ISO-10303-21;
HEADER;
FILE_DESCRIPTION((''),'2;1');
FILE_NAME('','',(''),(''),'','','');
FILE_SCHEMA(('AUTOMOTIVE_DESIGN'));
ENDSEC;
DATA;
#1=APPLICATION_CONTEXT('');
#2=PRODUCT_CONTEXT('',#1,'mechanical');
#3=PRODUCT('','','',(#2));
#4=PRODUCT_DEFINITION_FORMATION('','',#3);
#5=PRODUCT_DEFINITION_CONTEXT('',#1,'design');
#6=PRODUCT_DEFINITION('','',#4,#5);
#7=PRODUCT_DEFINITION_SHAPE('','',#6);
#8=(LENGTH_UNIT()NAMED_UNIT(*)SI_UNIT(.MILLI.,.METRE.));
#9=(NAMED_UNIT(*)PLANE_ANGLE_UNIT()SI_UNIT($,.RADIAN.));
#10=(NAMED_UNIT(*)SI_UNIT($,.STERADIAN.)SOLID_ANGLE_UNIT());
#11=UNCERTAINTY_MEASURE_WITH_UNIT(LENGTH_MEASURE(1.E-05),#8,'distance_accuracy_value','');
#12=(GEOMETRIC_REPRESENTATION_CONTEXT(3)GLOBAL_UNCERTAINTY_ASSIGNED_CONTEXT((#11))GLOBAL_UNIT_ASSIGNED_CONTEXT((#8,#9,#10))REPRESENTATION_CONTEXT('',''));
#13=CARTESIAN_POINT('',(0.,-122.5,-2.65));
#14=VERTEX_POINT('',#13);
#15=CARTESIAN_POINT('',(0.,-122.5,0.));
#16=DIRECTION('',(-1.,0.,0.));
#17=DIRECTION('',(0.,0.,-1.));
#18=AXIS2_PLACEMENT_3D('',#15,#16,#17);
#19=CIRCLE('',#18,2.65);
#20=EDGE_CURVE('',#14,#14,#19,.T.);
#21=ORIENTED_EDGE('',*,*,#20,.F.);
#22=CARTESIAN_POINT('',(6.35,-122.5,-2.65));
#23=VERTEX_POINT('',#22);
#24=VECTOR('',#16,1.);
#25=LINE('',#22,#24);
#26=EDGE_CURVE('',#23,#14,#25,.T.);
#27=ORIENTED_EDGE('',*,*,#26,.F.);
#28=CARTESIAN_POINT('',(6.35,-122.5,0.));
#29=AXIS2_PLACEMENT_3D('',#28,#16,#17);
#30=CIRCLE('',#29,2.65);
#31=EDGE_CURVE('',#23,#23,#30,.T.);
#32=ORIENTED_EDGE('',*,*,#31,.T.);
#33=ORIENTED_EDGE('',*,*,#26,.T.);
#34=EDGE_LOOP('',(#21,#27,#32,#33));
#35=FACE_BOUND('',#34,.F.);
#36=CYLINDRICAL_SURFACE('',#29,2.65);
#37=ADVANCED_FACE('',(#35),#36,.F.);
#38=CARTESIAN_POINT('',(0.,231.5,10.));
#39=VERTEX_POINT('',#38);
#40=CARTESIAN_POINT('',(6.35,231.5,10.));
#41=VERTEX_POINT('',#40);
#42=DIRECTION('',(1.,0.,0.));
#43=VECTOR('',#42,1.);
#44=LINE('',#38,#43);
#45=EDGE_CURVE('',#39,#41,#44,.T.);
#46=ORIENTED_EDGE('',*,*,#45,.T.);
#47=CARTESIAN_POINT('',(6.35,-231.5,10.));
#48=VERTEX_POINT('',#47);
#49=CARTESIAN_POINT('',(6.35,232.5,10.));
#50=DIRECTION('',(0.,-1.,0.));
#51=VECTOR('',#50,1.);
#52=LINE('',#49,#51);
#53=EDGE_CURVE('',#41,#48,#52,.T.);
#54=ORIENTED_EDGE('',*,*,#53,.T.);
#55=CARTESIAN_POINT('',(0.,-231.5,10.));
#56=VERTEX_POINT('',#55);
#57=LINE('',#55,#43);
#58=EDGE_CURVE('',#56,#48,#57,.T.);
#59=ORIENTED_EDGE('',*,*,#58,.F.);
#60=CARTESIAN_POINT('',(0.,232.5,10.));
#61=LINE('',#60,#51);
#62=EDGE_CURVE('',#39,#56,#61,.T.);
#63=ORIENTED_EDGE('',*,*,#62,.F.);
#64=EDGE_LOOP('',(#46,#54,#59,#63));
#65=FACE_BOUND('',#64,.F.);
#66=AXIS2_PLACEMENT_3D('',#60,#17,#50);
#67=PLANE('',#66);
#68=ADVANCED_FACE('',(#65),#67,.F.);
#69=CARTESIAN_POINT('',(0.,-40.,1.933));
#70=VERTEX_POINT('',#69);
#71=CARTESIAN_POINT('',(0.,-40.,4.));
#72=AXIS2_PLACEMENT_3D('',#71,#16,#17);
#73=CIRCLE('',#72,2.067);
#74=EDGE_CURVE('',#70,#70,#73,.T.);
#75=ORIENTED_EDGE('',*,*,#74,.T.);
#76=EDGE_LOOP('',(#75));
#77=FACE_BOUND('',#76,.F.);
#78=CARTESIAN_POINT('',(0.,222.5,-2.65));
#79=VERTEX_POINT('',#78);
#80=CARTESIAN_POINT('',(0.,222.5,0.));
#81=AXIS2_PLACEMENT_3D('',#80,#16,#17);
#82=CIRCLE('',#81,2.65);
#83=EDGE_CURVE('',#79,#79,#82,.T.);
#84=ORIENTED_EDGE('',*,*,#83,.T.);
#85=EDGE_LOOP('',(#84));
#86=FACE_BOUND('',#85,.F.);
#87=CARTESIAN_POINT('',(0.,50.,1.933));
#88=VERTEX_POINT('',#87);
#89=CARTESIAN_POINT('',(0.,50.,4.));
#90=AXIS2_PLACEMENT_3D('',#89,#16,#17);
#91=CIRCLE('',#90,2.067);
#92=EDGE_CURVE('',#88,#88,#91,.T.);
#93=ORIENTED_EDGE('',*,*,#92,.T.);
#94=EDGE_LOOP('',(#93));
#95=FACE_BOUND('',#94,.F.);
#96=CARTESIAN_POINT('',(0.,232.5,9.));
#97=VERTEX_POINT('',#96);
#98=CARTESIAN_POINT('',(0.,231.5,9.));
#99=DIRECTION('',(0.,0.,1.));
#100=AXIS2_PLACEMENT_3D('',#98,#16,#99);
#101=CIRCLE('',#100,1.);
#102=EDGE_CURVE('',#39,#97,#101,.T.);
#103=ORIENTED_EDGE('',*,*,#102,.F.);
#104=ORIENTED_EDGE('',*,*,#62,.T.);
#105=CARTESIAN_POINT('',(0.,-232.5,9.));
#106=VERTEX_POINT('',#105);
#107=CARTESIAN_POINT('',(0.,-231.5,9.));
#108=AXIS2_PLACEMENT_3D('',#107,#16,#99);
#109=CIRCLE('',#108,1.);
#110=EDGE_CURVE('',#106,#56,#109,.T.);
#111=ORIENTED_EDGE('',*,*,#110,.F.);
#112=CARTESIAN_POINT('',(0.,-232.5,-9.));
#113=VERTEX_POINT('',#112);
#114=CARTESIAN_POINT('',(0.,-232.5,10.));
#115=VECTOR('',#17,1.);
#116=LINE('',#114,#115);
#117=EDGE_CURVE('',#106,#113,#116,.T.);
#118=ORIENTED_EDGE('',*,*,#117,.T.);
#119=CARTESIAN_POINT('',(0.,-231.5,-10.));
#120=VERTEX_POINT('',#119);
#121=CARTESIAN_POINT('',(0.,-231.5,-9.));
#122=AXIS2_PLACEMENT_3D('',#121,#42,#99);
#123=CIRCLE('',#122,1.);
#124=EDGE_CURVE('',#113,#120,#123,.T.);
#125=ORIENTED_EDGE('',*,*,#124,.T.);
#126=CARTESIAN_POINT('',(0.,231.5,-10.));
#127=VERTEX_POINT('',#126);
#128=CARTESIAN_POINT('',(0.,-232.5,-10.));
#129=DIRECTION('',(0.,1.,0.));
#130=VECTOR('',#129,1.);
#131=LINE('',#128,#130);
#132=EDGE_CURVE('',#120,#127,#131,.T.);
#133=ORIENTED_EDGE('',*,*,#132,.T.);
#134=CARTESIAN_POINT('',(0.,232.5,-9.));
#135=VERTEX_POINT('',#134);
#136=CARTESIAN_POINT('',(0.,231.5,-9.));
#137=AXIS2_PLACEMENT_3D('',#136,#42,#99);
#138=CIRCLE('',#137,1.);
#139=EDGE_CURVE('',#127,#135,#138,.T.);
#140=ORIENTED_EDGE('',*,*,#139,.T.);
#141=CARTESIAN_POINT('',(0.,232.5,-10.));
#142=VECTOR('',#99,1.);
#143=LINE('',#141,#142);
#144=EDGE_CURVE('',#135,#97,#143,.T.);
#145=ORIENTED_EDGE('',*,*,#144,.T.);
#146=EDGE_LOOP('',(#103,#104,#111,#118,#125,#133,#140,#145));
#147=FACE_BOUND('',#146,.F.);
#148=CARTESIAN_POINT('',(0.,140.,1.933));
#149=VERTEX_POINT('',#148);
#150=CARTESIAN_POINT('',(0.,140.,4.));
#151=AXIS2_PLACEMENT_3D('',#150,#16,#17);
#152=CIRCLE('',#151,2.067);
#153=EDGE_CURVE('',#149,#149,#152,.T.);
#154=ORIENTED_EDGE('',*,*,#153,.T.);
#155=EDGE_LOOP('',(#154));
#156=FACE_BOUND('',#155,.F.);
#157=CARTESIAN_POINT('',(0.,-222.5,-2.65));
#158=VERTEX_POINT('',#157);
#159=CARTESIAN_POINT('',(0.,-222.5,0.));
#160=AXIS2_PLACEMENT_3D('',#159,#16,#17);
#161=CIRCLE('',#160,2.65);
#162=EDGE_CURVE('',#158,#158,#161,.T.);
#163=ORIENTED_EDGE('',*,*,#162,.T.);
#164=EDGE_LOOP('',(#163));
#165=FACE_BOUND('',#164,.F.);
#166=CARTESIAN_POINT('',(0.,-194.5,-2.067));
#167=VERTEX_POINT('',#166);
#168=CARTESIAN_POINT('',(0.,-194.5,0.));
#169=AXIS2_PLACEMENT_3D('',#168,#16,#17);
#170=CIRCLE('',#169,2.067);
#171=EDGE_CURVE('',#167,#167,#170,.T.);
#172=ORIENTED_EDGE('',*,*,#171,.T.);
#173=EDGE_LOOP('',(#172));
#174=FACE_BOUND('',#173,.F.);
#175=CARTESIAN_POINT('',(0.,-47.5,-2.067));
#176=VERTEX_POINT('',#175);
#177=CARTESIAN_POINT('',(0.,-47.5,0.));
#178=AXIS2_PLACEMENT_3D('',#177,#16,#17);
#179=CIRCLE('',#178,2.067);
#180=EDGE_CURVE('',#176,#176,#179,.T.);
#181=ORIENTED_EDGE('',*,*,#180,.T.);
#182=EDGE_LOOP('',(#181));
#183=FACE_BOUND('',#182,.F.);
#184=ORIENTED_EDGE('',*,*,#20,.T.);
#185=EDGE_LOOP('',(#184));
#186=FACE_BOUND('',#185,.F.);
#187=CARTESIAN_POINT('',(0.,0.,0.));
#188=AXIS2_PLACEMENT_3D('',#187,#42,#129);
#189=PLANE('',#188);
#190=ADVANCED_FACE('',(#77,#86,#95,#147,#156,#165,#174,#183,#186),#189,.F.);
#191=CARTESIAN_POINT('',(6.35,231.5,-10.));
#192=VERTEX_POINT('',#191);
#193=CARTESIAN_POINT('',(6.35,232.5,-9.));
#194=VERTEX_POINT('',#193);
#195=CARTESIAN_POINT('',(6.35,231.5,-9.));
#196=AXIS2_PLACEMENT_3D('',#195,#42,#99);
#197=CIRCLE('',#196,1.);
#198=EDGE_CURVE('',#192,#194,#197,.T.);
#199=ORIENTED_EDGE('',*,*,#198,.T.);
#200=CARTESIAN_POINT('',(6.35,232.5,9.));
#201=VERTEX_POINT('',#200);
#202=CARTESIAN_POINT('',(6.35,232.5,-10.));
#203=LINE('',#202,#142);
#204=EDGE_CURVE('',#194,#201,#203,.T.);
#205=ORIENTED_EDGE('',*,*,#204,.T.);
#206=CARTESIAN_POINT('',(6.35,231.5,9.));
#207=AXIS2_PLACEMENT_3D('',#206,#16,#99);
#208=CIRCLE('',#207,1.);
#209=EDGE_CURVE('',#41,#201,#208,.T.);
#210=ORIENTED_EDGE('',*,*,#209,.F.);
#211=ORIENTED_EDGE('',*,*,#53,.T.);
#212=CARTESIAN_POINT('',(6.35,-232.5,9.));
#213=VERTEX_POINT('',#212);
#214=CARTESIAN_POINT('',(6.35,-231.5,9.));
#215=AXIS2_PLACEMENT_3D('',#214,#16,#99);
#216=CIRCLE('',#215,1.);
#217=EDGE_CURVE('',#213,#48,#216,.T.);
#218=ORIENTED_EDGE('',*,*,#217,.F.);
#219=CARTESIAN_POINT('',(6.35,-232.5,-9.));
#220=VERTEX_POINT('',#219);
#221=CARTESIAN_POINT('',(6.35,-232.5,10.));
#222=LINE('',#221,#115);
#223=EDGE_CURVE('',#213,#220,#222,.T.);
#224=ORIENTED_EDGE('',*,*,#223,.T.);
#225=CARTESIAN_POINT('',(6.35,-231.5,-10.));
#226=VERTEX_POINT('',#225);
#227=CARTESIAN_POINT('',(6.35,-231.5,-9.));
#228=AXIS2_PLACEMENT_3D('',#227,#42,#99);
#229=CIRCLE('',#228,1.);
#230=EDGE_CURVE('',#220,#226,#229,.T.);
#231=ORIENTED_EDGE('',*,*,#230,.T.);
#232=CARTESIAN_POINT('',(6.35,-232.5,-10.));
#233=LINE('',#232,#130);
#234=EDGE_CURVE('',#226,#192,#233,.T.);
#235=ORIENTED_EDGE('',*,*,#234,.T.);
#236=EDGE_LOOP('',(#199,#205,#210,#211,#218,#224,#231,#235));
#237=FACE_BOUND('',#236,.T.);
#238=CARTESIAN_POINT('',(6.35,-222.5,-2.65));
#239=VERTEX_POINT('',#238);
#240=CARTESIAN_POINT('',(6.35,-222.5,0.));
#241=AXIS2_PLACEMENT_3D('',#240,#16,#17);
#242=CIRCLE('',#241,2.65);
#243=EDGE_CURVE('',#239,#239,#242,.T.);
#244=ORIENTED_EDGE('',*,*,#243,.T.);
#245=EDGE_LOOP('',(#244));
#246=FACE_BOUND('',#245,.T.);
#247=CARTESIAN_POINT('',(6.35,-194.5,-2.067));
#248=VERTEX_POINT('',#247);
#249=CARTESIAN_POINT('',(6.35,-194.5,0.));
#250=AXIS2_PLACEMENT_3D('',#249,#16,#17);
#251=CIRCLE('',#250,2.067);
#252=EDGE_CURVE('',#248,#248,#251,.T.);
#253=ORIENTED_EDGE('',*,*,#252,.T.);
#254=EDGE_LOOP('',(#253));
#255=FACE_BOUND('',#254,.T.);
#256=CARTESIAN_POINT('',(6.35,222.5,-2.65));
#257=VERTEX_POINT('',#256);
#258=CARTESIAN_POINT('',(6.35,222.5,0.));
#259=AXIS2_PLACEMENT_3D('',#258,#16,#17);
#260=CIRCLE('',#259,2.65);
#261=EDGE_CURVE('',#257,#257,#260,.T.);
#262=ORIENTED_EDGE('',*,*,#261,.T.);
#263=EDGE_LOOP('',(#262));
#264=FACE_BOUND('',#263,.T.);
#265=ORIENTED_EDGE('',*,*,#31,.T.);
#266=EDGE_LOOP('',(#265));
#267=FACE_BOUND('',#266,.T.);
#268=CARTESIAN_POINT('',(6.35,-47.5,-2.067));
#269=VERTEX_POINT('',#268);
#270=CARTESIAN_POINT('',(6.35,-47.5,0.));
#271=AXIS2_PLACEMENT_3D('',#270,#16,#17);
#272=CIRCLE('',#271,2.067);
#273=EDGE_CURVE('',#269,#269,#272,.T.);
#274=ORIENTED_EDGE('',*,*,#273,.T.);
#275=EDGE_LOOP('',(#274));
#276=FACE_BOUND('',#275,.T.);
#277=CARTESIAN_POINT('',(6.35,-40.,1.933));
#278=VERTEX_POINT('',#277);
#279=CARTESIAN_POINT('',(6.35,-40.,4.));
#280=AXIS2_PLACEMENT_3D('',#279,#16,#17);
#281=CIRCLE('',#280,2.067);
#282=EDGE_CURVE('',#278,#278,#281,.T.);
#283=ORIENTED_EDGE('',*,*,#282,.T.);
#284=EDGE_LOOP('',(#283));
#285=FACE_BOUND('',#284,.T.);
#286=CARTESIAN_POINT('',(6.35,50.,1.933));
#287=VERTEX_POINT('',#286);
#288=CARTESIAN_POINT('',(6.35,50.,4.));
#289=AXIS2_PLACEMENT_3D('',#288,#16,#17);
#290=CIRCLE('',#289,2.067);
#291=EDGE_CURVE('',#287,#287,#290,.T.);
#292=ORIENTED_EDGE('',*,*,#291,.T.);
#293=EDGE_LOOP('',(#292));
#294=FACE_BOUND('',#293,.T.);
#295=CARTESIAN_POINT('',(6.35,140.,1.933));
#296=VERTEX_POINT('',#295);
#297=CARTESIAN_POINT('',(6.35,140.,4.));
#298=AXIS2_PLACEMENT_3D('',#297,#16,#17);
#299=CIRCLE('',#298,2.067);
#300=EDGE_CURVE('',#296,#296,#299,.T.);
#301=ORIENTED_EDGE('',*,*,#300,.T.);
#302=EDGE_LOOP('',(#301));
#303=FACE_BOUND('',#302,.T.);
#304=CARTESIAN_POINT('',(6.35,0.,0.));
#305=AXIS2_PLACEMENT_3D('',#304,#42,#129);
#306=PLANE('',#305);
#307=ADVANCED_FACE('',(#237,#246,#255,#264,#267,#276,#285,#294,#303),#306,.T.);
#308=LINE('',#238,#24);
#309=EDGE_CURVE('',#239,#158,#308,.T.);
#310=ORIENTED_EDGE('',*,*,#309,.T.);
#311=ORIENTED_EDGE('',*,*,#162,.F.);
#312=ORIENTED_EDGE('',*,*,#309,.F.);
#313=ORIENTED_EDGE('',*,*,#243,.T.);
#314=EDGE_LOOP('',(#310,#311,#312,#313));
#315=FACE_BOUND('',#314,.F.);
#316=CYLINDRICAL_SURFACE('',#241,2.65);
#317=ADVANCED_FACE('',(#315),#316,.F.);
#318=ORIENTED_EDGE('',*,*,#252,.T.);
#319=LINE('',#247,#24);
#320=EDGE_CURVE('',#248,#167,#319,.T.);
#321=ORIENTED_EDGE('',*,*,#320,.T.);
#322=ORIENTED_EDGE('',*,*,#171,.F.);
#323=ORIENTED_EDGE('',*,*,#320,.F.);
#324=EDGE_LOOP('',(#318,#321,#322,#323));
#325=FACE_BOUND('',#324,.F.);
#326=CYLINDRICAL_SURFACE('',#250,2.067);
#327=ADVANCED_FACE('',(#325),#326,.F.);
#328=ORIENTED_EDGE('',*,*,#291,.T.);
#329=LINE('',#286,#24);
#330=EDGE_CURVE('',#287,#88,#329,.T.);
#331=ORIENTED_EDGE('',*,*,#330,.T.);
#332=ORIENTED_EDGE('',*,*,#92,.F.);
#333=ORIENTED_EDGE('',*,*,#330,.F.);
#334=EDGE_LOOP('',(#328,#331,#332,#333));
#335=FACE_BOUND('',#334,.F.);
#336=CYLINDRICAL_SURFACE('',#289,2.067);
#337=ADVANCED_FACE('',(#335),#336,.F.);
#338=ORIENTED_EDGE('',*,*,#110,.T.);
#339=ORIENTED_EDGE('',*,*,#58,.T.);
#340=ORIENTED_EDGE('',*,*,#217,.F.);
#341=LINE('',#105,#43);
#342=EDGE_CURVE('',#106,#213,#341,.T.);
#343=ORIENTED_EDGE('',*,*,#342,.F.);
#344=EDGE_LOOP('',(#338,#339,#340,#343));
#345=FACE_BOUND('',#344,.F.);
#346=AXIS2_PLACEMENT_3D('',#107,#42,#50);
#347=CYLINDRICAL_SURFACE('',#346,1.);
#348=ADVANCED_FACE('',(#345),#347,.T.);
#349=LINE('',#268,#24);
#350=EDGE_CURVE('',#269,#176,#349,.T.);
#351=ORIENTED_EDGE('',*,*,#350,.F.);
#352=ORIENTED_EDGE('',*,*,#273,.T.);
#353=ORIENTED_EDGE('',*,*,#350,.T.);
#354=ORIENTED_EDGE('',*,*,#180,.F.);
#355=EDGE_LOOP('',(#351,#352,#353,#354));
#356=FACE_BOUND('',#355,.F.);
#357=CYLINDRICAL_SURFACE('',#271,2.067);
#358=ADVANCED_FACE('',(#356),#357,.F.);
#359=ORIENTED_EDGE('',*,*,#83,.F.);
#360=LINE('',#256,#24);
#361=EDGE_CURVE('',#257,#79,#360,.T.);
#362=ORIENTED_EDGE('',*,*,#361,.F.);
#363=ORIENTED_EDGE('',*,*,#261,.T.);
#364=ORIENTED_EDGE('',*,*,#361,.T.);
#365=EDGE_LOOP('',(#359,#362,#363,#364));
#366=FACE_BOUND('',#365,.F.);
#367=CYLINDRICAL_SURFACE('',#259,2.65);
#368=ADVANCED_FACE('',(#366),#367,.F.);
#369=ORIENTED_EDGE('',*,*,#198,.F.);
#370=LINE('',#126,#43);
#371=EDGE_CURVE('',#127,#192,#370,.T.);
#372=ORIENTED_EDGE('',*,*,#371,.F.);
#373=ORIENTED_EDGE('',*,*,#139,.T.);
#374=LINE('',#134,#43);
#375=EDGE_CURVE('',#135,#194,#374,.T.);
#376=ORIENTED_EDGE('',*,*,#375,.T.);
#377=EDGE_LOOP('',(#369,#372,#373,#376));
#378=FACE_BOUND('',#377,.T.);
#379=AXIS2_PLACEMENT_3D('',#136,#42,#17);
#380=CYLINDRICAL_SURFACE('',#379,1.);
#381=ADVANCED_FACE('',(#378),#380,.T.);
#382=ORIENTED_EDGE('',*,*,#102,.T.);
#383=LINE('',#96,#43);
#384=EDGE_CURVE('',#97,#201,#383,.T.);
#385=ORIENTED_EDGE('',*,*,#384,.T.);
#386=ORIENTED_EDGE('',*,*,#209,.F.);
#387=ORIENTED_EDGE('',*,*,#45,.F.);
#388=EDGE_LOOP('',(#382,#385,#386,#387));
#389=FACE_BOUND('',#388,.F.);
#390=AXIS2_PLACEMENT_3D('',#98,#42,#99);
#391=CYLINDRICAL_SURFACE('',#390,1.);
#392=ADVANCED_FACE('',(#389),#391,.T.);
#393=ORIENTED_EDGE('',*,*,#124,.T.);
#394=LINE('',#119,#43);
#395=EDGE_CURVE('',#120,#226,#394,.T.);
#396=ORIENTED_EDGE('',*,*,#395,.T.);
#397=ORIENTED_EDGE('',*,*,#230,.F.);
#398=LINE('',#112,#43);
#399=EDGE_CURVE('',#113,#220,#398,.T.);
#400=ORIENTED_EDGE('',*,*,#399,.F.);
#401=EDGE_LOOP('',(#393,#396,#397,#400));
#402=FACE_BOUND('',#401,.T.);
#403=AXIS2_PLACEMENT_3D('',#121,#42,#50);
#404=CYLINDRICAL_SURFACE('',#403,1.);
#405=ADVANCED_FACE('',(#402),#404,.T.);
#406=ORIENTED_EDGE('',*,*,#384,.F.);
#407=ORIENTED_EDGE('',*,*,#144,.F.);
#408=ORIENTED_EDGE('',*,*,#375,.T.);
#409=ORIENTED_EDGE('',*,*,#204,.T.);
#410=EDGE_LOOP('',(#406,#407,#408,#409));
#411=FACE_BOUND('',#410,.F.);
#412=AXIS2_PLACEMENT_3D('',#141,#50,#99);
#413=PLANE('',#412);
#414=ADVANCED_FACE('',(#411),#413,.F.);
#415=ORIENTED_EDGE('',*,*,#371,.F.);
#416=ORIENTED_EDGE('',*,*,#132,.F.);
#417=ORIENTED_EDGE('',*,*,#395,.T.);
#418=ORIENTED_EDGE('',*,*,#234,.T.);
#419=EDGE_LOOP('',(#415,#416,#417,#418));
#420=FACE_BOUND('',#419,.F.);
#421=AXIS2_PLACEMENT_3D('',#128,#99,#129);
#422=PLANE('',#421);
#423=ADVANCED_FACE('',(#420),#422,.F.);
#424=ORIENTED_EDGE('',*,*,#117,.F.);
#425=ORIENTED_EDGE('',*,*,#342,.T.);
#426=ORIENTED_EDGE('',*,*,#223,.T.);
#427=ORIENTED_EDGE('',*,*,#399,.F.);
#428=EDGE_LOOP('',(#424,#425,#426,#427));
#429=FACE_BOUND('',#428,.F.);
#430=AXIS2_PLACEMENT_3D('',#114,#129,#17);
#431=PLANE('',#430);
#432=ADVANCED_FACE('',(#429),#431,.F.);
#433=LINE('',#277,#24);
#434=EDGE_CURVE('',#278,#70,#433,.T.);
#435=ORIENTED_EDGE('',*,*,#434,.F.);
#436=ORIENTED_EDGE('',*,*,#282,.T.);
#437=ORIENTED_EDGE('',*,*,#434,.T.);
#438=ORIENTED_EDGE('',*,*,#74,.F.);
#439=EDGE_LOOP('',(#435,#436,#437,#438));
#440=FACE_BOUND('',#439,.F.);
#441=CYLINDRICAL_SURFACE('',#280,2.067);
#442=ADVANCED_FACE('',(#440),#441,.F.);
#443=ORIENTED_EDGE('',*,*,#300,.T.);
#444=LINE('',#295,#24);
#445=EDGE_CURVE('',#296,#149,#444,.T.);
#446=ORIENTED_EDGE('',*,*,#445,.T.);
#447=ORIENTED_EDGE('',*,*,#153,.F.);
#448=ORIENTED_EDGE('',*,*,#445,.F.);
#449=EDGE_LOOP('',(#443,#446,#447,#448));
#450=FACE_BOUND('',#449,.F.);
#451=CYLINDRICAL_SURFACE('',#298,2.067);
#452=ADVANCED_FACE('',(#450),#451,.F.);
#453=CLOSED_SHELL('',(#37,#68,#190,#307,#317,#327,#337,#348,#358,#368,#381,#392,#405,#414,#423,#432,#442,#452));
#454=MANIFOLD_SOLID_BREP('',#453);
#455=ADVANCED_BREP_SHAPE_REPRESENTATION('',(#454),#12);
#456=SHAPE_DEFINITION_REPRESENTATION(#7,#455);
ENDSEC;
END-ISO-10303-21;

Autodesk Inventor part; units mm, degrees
ref_plane "YZ Plane" through (0, 0, 0) normal (1, 0, 0) x (0, 1, 0)
ref_plane "XZ Plane" through (0, 0, 0) normal (0, 1, 0) x (-1, 0, 0)
ref_plane "XY Plane" through (0, 0, 0) normal (0, 0, 1) x (1, 0, 0)
sketch "Sketch1" plane through (0, 0, 0) normal (1, 0, 0) x (0, 1, 0)
  line L0 (-232.5, -10) -> (232.5, -10)
  line L1 (232.5, -10) -> (232.5, 10)
  line L2 (232.5, 10) -> (-232.5, 10)
  line L3 (-232.5, 10) -> (-232.5, -10)
  line L4 (-232.5, -10) -> (232.5, 10) construction
  line L5 (232.5, -10) -> (-232.5, 10) construction
  point P0 (0, 0)
  dimension "d0" = 465
  dimension "d1" = 20
extrude "Extrusion1" add sketch "Sketch1" along normal blind 6.35
sketch "Sketch2" plane through (6.35, 0, 0) normal (1, 0, 0) x (0, 0, -1)
  line L0 (10, 232.5) -> (-10, 232.5) projected
  line L1 (-10, 232.5) -> (-10, -232.5) projected
  line L2 (-10, -232.5) -> (10, -232.5) projected
  line L3 (10, -232.5) -> (10, 232.5) projected
  point P0 (0, 0)
  point P1 (0, 222.5)
  point P2 (0, 232.5)
  point P3 (0, -222.5)
  point P4 (0, -122.5)
  dimension "d4" = 10
  dimension "d5" = 10
  dimension "d6" = 100
hole "Hole1" at (6.35, 222.5, 0) at (6.35, -222.5, 0) at (6.35, -122.5, 0) direction (-1, 0, 0) diameter 5.3 end through all
sketch "Sketch3" plane through (6.35, 0, 0) normal (1, 0, 0) x (0, 0, -1)
  circle A0 centre (0, -122.5) radius 2.65 projected
  circle A1 centre (0, -222.5) radius 2.65 projected
  circle A2 centre (0, 222.5) radius 2.65 projected
  line L0 (10, 232.5) -> (-10, 232.5) projected
  line L1 (-10, 232.5) -> (-10, -232.5) projected
  line L2 (-10, -232.5) -> (10, -232.5) projected
  line L3 (10, -232.5) -> (10, 232.5) projected
  point P0 (0, 0)
  point P1 (0, -194.5)
  point P2 (0, -47.5)
  dimension "d14" = 72
  dimension "d22" = 147
hole "Hole2" at (6.35, -194.5, 0) at (6.35, -47.5, 0) direction (-1, 0, 0) diameter 4.134 end through all thread size "M5x0.8" class "6H" standard "ANSI Metric M Profile"
fillet "Fillet1" radius 1 4 edges at (3.175, -232.5, 10) (3.175, -232.5, -10) (3.175, 232.5, 10) (3.175, 232.5, -10)
sketch "Sketch4" plane through (6.35, 0, 0) normal (1, 0, 0) x (0, 0, -1)
  circle A0 centre (0, 222.5) radius 2.65 projected
  line L0 (-4, 140) -> (-4, -40) construction
  line L1 (-10, 231.5) -> (-10, -231.5) projected
  line L2 (0, 222.5) -> (0, -122.5) construction
  circle A1 centre (0, -122.5) radius 2.65 projected
  point P0 (0, 0)
  point P1 (-4, 50)
  point P2 (0, 50)
  point P3 (-4, 50)
  dimension "d24" = 180
  dimension "d25" = 6
hole "Hole3" at (6.35, 140, 4) at (6.35, 50, 4) at (6.35, -40, 4) direction (-1, 0, 0) diameter 4.134 end through all thread size "M5x0.8" class "6H" standard "ANSI Metric M Profile"
properties part number "Door Aluminum Bars" material "Aluminum 6061"
